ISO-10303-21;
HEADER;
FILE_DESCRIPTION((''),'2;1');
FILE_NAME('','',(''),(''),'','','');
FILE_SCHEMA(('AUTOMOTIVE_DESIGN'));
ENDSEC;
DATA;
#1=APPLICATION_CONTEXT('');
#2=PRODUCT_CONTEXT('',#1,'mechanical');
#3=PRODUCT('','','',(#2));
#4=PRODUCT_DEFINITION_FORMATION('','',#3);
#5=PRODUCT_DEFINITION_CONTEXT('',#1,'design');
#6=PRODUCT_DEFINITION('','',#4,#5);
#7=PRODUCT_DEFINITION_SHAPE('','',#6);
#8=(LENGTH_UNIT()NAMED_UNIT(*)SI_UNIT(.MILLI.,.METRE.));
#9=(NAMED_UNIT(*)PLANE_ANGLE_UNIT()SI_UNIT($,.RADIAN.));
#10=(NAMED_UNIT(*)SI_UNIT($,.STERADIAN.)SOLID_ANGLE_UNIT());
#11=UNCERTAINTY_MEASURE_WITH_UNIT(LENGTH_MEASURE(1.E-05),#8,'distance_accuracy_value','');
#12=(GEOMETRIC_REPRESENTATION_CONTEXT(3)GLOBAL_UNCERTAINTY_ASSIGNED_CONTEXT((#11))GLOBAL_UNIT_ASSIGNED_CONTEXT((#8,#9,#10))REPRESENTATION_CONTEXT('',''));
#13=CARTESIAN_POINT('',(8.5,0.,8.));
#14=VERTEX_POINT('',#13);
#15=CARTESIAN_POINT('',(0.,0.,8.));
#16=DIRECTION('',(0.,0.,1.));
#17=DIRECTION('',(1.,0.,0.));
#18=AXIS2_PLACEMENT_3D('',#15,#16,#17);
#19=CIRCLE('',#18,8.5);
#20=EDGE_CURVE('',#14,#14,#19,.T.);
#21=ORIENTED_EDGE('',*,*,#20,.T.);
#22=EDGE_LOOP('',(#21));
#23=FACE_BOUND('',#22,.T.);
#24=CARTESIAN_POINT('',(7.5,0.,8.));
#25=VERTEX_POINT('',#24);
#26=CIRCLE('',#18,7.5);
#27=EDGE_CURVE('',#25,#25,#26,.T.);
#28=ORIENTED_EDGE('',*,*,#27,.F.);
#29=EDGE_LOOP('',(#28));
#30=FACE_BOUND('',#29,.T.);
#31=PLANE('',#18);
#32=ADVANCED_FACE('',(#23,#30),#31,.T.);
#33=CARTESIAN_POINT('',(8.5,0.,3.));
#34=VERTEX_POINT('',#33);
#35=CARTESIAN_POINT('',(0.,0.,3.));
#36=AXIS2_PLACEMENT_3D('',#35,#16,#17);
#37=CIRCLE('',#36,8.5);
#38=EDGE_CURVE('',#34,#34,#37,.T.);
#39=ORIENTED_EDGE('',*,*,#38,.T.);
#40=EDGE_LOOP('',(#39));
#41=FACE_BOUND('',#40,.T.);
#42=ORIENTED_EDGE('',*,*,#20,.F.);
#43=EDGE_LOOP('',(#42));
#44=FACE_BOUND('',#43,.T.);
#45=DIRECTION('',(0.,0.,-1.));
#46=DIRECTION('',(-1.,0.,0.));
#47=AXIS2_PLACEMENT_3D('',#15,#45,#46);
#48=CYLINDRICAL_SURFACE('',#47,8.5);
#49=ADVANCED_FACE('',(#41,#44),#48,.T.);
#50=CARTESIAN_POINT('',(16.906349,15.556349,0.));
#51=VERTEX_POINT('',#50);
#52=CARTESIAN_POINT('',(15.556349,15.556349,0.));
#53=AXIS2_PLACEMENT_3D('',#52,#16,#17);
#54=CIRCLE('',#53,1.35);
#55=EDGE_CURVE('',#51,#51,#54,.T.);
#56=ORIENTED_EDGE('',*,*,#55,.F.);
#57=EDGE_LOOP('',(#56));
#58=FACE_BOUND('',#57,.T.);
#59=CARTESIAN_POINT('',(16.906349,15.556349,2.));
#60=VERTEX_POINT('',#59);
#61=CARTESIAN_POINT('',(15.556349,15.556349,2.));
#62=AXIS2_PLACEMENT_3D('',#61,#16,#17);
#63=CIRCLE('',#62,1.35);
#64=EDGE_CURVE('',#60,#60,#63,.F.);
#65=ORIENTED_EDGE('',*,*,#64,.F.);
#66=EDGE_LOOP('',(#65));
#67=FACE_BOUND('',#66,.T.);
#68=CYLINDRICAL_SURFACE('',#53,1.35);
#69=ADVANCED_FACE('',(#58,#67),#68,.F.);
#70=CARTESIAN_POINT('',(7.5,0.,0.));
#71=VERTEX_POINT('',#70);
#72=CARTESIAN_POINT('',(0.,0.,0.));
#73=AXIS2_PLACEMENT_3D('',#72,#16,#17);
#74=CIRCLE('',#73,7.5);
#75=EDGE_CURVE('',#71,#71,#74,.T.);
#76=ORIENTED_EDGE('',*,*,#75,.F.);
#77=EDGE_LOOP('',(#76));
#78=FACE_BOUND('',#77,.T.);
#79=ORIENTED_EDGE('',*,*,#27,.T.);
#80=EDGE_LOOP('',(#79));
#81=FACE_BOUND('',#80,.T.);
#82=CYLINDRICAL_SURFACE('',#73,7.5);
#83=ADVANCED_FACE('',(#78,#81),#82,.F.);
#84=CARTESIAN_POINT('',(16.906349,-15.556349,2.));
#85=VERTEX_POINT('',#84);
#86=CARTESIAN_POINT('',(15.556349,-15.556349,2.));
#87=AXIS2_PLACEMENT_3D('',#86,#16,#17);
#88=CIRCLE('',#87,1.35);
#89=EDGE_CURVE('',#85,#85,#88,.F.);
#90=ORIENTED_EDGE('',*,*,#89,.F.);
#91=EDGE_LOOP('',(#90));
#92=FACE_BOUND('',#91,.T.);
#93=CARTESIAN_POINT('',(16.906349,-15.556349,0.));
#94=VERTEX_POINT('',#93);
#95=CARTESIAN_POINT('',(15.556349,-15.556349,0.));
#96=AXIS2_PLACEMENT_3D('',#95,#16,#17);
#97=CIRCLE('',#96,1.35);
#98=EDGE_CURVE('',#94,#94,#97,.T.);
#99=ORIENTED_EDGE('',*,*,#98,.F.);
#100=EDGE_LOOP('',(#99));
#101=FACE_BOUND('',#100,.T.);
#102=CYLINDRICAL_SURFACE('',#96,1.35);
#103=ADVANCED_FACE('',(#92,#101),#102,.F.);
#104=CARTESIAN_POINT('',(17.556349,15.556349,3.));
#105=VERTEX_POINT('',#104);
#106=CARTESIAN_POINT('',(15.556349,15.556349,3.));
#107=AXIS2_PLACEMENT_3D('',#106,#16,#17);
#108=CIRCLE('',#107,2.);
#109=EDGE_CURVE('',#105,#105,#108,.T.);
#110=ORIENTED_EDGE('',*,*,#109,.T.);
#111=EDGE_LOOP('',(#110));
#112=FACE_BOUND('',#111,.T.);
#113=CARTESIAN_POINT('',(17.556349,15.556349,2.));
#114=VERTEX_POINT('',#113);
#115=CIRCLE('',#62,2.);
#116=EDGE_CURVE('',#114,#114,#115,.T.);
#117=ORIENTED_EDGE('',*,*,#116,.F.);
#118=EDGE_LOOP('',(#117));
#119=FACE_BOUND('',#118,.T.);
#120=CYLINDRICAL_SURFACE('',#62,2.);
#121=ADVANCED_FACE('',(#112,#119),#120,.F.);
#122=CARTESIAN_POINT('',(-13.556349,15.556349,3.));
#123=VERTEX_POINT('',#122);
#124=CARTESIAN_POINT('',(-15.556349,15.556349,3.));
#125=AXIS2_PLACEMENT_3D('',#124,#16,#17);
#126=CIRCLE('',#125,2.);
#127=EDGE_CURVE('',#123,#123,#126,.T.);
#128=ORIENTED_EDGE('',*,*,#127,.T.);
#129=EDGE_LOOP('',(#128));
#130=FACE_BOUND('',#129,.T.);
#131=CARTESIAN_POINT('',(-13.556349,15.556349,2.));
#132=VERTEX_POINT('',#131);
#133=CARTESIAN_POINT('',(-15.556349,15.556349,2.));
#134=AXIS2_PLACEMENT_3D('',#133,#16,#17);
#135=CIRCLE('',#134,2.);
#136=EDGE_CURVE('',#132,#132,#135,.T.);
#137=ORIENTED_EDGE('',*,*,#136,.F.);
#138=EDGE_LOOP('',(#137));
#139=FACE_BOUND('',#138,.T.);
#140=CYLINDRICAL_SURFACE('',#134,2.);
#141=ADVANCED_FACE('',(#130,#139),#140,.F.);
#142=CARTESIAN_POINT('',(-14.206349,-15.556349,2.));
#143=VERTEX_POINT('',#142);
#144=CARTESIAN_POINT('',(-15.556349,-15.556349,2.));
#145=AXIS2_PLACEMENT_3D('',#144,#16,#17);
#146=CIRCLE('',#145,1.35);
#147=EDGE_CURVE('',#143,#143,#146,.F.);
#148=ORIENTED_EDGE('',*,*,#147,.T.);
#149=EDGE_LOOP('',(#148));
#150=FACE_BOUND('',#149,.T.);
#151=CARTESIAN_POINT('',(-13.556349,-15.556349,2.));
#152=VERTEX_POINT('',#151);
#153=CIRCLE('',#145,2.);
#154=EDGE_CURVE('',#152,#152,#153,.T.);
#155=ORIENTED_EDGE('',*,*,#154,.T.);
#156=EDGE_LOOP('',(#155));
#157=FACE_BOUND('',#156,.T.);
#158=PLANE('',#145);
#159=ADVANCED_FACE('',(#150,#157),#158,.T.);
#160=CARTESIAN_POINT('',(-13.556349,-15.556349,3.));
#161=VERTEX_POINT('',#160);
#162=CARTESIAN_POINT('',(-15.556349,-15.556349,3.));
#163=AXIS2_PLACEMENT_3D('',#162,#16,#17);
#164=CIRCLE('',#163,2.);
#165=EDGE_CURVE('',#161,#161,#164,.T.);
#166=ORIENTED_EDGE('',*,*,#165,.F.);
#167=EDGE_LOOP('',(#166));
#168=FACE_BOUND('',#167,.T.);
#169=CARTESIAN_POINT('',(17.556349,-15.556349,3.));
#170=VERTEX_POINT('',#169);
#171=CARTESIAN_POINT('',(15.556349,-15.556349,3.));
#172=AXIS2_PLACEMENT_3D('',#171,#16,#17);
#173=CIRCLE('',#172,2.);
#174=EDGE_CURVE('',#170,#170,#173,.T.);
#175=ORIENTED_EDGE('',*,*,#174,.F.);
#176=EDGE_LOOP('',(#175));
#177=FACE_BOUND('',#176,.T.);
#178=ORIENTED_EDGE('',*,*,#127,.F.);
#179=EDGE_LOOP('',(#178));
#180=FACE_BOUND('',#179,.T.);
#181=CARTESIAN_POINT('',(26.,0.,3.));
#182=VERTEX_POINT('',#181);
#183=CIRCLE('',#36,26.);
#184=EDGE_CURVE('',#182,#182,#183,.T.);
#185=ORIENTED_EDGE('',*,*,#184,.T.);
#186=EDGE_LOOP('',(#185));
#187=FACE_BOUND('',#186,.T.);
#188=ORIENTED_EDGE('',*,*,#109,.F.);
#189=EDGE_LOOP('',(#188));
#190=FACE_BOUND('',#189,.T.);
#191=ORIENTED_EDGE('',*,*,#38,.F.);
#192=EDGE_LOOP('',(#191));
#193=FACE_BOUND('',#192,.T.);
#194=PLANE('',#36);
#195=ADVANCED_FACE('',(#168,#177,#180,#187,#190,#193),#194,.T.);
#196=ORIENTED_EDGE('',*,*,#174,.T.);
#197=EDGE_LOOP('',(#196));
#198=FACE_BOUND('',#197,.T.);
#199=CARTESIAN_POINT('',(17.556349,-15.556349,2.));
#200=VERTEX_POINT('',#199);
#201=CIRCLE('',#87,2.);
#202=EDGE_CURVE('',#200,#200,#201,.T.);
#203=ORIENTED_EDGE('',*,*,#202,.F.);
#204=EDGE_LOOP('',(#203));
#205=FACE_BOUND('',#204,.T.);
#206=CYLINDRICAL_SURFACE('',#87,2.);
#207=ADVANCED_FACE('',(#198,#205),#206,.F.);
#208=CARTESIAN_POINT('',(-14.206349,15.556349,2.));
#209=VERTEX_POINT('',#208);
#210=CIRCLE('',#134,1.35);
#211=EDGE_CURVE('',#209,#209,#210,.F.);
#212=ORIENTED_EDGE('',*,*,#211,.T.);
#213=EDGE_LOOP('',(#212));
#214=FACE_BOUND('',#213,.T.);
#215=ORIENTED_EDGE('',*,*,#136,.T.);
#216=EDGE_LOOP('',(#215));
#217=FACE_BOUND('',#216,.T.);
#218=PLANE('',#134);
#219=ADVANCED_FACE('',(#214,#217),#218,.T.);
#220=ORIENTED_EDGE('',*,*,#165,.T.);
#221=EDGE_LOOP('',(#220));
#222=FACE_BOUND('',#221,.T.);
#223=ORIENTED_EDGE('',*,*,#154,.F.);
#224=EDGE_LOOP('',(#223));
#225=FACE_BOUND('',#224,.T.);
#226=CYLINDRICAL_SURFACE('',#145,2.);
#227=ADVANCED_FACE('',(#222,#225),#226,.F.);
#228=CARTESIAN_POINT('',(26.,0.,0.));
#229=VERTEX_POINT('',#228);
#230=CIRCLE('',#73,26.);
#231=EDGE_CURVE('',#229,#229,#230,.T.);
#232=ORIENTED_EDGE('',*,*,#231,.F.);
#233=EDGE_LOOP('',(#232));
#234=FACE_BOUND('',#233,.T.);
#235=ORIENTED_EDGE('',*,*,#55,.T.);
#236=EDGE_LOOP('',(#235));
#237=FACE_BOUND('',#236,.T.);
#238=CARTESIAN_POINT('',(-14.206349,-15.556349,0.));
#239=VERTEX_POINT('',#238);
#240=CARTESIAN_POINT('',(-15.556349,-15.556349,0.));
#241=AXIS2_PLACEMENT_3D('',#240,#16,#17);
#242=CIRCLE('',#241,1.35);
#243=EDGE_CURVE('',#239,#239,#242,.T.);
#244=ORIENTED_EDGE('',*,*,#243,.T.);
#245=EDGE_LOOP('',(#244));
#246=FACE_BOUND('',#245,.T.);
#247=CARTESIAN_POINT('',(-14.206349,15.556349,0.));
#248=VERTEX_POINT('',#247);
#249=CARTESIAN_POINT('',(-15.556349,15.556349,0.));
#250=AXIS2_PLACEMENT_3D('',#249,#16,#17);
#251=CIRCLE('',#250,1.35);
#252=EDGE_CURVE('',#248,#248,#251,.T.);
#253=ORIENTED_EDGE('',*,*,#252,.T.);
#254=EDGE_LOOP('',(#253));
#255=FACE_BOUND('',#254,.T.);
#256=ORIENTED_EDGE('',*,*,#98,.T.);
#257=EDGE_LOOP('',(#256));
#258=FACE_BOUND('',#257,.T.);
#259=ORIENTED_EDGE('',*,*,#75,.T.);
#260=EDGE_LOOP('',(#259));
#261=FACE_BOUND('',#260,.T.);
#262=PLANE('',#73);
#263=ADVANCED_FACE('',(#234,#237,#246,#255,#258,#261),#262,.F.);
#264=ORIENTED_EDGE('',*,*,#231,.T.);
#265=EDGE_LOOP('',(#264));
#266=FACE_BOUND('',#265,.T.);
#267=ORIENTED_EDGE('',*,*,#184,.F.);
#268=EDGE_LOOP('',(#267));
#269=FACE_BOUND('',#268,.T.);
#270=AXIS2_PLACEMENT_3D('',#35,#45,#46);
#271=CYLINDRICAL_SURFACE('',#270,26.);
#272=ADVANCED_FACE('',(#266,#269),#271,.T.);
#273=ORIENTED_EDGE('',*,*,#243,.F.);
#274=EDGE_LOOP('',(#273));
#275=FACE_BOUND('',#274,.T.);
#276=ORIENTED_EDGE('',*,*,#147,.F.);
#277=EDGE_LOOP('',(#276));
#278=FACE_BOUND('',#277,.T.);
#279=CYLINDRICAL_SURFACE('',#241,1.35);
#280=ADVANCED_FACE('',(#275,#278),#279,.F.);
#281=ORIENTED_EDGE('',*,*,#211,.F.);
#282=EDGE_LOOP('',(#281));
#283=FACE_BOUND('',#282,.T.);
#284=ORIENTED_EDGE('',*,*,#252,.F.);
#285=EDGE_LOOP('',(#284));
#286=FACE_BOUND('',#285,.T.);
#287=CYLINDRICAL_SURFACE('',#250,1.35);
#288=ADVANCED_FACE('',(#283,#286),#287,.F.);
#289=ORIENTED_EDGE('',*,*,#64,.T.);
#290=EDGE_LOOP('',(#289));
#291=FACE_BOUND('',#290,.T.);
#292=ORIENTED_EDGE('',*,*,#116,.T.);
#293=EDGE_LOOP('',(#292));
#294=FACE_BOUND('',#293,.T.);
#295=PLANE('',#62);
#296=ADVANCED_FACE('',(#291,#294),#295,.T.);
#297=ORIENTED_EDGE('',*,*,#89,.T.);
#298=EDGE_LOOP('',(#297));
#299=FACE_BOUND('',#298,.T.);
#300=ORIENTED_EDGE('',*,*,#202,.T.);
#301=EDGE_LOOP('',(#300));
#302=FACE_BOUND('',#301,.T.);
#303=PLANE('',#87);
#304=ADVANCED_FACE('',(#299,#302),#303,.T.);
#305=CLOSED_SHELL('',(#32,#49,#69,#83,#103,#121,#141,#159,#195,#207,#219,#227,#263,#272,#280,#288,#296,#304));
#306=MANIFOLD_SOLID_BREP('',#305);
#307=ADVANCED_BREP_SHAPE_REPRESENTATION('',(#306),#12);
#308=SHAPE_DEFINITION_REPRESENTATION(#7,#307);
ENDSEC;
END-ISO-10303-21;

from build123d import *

# Parameters (mm, degrees)
SKETCH_1_R          = 26
EXTRUDE_1_DEPTH     = 3
SKETCH_2_R          = 7.5
CUT_EXTRUDE_1_DEPTH = 37.891733491
EXTRUDE_START       = 5
SKETCH_3_R          = 8.5
SKETCH_3_R_2        = 7.5
EXTRUDE_3_DEPTH     = 5
SKETCH_4_R          = 1.35
CUT_EXTRUDE_2_DEPTH = 38.107950631
SKETCH_5_R          = 2
CUT_EXTRUDE_3_DEPTH = 1


with BuildPart() as part:
    # Эскиз1 → Бобышка-Вытянуть1 (new body)
    with BuildSketch(Plane.XY):
        Circle(SKETCH_1_R)
    extrude(amount=EXTRUDE_1_DEPTH)

    # Эскиз2 → Вырез-Вытянуть1 (cut, through all)
    with BuildSketch(Plane.XY.offset(3)):
        Circle(SKETCH_2_R)
    extrude(amount=-CUT_EXTRUDE_1_DEPTH, mode=Mode.SUBTRACT)

    # Эскиз3 → Бобышка-Вытянуть3 (add)
    with BuildSketch(Plane.XY.offset(3).offset(EXTRUDE_START)):
        Circle(SKETCH_3_R)
        Circle(SKETCH_3_R_2, mode=Mode.SUBTRACT)
    extrude(amount=-EXTRUDE_3_DEPTH)

    # Эскиз4 → Вырез-Вытянуть2 (cut, through all)
    with BuildSketch(Plane.XY.offset(3)):
        with Locations((-15.556349186, 15.556349186)):
            Circle(SKETCH_4_R)
        with Locations((15.556349186, 15.556349186)):
            Circle(SKETCH_4_R)
        with Locations((15.556349186, -15.556349186)):
            Circle(SKETCH_4_R)
        with Locations((-15.556349186, -15.556349186)):
            Circle(SKETCH_4_R)
    extrude(amount=-CUT_EXTRUDE_2_DEPTH, mode=Mode.SUBTRACT)

    # Эскиз5 → Вырез-Вытянуть3 (cut)
    with BuildSketch(Plane.XY.offset(3)):
        with Locations((-15.556349186, 15.556349186)):
            Circle(SKETCH_5_R)
        with Locations((15.556349186, 15.556349186)):
            Circle(SKETCH_5_R)
        with Locations((15.556349186, -15.556349186)):
            Circle(SKETCH_5_R)
        with Locations((-15.556349186, -15.556349186)):
            Circle(SKETCH_5_R)
    extrude(amount=-CUT_EXTRUDE_3_DEPTH, mode=Mode.SUBTRACT)


solid = part.part
